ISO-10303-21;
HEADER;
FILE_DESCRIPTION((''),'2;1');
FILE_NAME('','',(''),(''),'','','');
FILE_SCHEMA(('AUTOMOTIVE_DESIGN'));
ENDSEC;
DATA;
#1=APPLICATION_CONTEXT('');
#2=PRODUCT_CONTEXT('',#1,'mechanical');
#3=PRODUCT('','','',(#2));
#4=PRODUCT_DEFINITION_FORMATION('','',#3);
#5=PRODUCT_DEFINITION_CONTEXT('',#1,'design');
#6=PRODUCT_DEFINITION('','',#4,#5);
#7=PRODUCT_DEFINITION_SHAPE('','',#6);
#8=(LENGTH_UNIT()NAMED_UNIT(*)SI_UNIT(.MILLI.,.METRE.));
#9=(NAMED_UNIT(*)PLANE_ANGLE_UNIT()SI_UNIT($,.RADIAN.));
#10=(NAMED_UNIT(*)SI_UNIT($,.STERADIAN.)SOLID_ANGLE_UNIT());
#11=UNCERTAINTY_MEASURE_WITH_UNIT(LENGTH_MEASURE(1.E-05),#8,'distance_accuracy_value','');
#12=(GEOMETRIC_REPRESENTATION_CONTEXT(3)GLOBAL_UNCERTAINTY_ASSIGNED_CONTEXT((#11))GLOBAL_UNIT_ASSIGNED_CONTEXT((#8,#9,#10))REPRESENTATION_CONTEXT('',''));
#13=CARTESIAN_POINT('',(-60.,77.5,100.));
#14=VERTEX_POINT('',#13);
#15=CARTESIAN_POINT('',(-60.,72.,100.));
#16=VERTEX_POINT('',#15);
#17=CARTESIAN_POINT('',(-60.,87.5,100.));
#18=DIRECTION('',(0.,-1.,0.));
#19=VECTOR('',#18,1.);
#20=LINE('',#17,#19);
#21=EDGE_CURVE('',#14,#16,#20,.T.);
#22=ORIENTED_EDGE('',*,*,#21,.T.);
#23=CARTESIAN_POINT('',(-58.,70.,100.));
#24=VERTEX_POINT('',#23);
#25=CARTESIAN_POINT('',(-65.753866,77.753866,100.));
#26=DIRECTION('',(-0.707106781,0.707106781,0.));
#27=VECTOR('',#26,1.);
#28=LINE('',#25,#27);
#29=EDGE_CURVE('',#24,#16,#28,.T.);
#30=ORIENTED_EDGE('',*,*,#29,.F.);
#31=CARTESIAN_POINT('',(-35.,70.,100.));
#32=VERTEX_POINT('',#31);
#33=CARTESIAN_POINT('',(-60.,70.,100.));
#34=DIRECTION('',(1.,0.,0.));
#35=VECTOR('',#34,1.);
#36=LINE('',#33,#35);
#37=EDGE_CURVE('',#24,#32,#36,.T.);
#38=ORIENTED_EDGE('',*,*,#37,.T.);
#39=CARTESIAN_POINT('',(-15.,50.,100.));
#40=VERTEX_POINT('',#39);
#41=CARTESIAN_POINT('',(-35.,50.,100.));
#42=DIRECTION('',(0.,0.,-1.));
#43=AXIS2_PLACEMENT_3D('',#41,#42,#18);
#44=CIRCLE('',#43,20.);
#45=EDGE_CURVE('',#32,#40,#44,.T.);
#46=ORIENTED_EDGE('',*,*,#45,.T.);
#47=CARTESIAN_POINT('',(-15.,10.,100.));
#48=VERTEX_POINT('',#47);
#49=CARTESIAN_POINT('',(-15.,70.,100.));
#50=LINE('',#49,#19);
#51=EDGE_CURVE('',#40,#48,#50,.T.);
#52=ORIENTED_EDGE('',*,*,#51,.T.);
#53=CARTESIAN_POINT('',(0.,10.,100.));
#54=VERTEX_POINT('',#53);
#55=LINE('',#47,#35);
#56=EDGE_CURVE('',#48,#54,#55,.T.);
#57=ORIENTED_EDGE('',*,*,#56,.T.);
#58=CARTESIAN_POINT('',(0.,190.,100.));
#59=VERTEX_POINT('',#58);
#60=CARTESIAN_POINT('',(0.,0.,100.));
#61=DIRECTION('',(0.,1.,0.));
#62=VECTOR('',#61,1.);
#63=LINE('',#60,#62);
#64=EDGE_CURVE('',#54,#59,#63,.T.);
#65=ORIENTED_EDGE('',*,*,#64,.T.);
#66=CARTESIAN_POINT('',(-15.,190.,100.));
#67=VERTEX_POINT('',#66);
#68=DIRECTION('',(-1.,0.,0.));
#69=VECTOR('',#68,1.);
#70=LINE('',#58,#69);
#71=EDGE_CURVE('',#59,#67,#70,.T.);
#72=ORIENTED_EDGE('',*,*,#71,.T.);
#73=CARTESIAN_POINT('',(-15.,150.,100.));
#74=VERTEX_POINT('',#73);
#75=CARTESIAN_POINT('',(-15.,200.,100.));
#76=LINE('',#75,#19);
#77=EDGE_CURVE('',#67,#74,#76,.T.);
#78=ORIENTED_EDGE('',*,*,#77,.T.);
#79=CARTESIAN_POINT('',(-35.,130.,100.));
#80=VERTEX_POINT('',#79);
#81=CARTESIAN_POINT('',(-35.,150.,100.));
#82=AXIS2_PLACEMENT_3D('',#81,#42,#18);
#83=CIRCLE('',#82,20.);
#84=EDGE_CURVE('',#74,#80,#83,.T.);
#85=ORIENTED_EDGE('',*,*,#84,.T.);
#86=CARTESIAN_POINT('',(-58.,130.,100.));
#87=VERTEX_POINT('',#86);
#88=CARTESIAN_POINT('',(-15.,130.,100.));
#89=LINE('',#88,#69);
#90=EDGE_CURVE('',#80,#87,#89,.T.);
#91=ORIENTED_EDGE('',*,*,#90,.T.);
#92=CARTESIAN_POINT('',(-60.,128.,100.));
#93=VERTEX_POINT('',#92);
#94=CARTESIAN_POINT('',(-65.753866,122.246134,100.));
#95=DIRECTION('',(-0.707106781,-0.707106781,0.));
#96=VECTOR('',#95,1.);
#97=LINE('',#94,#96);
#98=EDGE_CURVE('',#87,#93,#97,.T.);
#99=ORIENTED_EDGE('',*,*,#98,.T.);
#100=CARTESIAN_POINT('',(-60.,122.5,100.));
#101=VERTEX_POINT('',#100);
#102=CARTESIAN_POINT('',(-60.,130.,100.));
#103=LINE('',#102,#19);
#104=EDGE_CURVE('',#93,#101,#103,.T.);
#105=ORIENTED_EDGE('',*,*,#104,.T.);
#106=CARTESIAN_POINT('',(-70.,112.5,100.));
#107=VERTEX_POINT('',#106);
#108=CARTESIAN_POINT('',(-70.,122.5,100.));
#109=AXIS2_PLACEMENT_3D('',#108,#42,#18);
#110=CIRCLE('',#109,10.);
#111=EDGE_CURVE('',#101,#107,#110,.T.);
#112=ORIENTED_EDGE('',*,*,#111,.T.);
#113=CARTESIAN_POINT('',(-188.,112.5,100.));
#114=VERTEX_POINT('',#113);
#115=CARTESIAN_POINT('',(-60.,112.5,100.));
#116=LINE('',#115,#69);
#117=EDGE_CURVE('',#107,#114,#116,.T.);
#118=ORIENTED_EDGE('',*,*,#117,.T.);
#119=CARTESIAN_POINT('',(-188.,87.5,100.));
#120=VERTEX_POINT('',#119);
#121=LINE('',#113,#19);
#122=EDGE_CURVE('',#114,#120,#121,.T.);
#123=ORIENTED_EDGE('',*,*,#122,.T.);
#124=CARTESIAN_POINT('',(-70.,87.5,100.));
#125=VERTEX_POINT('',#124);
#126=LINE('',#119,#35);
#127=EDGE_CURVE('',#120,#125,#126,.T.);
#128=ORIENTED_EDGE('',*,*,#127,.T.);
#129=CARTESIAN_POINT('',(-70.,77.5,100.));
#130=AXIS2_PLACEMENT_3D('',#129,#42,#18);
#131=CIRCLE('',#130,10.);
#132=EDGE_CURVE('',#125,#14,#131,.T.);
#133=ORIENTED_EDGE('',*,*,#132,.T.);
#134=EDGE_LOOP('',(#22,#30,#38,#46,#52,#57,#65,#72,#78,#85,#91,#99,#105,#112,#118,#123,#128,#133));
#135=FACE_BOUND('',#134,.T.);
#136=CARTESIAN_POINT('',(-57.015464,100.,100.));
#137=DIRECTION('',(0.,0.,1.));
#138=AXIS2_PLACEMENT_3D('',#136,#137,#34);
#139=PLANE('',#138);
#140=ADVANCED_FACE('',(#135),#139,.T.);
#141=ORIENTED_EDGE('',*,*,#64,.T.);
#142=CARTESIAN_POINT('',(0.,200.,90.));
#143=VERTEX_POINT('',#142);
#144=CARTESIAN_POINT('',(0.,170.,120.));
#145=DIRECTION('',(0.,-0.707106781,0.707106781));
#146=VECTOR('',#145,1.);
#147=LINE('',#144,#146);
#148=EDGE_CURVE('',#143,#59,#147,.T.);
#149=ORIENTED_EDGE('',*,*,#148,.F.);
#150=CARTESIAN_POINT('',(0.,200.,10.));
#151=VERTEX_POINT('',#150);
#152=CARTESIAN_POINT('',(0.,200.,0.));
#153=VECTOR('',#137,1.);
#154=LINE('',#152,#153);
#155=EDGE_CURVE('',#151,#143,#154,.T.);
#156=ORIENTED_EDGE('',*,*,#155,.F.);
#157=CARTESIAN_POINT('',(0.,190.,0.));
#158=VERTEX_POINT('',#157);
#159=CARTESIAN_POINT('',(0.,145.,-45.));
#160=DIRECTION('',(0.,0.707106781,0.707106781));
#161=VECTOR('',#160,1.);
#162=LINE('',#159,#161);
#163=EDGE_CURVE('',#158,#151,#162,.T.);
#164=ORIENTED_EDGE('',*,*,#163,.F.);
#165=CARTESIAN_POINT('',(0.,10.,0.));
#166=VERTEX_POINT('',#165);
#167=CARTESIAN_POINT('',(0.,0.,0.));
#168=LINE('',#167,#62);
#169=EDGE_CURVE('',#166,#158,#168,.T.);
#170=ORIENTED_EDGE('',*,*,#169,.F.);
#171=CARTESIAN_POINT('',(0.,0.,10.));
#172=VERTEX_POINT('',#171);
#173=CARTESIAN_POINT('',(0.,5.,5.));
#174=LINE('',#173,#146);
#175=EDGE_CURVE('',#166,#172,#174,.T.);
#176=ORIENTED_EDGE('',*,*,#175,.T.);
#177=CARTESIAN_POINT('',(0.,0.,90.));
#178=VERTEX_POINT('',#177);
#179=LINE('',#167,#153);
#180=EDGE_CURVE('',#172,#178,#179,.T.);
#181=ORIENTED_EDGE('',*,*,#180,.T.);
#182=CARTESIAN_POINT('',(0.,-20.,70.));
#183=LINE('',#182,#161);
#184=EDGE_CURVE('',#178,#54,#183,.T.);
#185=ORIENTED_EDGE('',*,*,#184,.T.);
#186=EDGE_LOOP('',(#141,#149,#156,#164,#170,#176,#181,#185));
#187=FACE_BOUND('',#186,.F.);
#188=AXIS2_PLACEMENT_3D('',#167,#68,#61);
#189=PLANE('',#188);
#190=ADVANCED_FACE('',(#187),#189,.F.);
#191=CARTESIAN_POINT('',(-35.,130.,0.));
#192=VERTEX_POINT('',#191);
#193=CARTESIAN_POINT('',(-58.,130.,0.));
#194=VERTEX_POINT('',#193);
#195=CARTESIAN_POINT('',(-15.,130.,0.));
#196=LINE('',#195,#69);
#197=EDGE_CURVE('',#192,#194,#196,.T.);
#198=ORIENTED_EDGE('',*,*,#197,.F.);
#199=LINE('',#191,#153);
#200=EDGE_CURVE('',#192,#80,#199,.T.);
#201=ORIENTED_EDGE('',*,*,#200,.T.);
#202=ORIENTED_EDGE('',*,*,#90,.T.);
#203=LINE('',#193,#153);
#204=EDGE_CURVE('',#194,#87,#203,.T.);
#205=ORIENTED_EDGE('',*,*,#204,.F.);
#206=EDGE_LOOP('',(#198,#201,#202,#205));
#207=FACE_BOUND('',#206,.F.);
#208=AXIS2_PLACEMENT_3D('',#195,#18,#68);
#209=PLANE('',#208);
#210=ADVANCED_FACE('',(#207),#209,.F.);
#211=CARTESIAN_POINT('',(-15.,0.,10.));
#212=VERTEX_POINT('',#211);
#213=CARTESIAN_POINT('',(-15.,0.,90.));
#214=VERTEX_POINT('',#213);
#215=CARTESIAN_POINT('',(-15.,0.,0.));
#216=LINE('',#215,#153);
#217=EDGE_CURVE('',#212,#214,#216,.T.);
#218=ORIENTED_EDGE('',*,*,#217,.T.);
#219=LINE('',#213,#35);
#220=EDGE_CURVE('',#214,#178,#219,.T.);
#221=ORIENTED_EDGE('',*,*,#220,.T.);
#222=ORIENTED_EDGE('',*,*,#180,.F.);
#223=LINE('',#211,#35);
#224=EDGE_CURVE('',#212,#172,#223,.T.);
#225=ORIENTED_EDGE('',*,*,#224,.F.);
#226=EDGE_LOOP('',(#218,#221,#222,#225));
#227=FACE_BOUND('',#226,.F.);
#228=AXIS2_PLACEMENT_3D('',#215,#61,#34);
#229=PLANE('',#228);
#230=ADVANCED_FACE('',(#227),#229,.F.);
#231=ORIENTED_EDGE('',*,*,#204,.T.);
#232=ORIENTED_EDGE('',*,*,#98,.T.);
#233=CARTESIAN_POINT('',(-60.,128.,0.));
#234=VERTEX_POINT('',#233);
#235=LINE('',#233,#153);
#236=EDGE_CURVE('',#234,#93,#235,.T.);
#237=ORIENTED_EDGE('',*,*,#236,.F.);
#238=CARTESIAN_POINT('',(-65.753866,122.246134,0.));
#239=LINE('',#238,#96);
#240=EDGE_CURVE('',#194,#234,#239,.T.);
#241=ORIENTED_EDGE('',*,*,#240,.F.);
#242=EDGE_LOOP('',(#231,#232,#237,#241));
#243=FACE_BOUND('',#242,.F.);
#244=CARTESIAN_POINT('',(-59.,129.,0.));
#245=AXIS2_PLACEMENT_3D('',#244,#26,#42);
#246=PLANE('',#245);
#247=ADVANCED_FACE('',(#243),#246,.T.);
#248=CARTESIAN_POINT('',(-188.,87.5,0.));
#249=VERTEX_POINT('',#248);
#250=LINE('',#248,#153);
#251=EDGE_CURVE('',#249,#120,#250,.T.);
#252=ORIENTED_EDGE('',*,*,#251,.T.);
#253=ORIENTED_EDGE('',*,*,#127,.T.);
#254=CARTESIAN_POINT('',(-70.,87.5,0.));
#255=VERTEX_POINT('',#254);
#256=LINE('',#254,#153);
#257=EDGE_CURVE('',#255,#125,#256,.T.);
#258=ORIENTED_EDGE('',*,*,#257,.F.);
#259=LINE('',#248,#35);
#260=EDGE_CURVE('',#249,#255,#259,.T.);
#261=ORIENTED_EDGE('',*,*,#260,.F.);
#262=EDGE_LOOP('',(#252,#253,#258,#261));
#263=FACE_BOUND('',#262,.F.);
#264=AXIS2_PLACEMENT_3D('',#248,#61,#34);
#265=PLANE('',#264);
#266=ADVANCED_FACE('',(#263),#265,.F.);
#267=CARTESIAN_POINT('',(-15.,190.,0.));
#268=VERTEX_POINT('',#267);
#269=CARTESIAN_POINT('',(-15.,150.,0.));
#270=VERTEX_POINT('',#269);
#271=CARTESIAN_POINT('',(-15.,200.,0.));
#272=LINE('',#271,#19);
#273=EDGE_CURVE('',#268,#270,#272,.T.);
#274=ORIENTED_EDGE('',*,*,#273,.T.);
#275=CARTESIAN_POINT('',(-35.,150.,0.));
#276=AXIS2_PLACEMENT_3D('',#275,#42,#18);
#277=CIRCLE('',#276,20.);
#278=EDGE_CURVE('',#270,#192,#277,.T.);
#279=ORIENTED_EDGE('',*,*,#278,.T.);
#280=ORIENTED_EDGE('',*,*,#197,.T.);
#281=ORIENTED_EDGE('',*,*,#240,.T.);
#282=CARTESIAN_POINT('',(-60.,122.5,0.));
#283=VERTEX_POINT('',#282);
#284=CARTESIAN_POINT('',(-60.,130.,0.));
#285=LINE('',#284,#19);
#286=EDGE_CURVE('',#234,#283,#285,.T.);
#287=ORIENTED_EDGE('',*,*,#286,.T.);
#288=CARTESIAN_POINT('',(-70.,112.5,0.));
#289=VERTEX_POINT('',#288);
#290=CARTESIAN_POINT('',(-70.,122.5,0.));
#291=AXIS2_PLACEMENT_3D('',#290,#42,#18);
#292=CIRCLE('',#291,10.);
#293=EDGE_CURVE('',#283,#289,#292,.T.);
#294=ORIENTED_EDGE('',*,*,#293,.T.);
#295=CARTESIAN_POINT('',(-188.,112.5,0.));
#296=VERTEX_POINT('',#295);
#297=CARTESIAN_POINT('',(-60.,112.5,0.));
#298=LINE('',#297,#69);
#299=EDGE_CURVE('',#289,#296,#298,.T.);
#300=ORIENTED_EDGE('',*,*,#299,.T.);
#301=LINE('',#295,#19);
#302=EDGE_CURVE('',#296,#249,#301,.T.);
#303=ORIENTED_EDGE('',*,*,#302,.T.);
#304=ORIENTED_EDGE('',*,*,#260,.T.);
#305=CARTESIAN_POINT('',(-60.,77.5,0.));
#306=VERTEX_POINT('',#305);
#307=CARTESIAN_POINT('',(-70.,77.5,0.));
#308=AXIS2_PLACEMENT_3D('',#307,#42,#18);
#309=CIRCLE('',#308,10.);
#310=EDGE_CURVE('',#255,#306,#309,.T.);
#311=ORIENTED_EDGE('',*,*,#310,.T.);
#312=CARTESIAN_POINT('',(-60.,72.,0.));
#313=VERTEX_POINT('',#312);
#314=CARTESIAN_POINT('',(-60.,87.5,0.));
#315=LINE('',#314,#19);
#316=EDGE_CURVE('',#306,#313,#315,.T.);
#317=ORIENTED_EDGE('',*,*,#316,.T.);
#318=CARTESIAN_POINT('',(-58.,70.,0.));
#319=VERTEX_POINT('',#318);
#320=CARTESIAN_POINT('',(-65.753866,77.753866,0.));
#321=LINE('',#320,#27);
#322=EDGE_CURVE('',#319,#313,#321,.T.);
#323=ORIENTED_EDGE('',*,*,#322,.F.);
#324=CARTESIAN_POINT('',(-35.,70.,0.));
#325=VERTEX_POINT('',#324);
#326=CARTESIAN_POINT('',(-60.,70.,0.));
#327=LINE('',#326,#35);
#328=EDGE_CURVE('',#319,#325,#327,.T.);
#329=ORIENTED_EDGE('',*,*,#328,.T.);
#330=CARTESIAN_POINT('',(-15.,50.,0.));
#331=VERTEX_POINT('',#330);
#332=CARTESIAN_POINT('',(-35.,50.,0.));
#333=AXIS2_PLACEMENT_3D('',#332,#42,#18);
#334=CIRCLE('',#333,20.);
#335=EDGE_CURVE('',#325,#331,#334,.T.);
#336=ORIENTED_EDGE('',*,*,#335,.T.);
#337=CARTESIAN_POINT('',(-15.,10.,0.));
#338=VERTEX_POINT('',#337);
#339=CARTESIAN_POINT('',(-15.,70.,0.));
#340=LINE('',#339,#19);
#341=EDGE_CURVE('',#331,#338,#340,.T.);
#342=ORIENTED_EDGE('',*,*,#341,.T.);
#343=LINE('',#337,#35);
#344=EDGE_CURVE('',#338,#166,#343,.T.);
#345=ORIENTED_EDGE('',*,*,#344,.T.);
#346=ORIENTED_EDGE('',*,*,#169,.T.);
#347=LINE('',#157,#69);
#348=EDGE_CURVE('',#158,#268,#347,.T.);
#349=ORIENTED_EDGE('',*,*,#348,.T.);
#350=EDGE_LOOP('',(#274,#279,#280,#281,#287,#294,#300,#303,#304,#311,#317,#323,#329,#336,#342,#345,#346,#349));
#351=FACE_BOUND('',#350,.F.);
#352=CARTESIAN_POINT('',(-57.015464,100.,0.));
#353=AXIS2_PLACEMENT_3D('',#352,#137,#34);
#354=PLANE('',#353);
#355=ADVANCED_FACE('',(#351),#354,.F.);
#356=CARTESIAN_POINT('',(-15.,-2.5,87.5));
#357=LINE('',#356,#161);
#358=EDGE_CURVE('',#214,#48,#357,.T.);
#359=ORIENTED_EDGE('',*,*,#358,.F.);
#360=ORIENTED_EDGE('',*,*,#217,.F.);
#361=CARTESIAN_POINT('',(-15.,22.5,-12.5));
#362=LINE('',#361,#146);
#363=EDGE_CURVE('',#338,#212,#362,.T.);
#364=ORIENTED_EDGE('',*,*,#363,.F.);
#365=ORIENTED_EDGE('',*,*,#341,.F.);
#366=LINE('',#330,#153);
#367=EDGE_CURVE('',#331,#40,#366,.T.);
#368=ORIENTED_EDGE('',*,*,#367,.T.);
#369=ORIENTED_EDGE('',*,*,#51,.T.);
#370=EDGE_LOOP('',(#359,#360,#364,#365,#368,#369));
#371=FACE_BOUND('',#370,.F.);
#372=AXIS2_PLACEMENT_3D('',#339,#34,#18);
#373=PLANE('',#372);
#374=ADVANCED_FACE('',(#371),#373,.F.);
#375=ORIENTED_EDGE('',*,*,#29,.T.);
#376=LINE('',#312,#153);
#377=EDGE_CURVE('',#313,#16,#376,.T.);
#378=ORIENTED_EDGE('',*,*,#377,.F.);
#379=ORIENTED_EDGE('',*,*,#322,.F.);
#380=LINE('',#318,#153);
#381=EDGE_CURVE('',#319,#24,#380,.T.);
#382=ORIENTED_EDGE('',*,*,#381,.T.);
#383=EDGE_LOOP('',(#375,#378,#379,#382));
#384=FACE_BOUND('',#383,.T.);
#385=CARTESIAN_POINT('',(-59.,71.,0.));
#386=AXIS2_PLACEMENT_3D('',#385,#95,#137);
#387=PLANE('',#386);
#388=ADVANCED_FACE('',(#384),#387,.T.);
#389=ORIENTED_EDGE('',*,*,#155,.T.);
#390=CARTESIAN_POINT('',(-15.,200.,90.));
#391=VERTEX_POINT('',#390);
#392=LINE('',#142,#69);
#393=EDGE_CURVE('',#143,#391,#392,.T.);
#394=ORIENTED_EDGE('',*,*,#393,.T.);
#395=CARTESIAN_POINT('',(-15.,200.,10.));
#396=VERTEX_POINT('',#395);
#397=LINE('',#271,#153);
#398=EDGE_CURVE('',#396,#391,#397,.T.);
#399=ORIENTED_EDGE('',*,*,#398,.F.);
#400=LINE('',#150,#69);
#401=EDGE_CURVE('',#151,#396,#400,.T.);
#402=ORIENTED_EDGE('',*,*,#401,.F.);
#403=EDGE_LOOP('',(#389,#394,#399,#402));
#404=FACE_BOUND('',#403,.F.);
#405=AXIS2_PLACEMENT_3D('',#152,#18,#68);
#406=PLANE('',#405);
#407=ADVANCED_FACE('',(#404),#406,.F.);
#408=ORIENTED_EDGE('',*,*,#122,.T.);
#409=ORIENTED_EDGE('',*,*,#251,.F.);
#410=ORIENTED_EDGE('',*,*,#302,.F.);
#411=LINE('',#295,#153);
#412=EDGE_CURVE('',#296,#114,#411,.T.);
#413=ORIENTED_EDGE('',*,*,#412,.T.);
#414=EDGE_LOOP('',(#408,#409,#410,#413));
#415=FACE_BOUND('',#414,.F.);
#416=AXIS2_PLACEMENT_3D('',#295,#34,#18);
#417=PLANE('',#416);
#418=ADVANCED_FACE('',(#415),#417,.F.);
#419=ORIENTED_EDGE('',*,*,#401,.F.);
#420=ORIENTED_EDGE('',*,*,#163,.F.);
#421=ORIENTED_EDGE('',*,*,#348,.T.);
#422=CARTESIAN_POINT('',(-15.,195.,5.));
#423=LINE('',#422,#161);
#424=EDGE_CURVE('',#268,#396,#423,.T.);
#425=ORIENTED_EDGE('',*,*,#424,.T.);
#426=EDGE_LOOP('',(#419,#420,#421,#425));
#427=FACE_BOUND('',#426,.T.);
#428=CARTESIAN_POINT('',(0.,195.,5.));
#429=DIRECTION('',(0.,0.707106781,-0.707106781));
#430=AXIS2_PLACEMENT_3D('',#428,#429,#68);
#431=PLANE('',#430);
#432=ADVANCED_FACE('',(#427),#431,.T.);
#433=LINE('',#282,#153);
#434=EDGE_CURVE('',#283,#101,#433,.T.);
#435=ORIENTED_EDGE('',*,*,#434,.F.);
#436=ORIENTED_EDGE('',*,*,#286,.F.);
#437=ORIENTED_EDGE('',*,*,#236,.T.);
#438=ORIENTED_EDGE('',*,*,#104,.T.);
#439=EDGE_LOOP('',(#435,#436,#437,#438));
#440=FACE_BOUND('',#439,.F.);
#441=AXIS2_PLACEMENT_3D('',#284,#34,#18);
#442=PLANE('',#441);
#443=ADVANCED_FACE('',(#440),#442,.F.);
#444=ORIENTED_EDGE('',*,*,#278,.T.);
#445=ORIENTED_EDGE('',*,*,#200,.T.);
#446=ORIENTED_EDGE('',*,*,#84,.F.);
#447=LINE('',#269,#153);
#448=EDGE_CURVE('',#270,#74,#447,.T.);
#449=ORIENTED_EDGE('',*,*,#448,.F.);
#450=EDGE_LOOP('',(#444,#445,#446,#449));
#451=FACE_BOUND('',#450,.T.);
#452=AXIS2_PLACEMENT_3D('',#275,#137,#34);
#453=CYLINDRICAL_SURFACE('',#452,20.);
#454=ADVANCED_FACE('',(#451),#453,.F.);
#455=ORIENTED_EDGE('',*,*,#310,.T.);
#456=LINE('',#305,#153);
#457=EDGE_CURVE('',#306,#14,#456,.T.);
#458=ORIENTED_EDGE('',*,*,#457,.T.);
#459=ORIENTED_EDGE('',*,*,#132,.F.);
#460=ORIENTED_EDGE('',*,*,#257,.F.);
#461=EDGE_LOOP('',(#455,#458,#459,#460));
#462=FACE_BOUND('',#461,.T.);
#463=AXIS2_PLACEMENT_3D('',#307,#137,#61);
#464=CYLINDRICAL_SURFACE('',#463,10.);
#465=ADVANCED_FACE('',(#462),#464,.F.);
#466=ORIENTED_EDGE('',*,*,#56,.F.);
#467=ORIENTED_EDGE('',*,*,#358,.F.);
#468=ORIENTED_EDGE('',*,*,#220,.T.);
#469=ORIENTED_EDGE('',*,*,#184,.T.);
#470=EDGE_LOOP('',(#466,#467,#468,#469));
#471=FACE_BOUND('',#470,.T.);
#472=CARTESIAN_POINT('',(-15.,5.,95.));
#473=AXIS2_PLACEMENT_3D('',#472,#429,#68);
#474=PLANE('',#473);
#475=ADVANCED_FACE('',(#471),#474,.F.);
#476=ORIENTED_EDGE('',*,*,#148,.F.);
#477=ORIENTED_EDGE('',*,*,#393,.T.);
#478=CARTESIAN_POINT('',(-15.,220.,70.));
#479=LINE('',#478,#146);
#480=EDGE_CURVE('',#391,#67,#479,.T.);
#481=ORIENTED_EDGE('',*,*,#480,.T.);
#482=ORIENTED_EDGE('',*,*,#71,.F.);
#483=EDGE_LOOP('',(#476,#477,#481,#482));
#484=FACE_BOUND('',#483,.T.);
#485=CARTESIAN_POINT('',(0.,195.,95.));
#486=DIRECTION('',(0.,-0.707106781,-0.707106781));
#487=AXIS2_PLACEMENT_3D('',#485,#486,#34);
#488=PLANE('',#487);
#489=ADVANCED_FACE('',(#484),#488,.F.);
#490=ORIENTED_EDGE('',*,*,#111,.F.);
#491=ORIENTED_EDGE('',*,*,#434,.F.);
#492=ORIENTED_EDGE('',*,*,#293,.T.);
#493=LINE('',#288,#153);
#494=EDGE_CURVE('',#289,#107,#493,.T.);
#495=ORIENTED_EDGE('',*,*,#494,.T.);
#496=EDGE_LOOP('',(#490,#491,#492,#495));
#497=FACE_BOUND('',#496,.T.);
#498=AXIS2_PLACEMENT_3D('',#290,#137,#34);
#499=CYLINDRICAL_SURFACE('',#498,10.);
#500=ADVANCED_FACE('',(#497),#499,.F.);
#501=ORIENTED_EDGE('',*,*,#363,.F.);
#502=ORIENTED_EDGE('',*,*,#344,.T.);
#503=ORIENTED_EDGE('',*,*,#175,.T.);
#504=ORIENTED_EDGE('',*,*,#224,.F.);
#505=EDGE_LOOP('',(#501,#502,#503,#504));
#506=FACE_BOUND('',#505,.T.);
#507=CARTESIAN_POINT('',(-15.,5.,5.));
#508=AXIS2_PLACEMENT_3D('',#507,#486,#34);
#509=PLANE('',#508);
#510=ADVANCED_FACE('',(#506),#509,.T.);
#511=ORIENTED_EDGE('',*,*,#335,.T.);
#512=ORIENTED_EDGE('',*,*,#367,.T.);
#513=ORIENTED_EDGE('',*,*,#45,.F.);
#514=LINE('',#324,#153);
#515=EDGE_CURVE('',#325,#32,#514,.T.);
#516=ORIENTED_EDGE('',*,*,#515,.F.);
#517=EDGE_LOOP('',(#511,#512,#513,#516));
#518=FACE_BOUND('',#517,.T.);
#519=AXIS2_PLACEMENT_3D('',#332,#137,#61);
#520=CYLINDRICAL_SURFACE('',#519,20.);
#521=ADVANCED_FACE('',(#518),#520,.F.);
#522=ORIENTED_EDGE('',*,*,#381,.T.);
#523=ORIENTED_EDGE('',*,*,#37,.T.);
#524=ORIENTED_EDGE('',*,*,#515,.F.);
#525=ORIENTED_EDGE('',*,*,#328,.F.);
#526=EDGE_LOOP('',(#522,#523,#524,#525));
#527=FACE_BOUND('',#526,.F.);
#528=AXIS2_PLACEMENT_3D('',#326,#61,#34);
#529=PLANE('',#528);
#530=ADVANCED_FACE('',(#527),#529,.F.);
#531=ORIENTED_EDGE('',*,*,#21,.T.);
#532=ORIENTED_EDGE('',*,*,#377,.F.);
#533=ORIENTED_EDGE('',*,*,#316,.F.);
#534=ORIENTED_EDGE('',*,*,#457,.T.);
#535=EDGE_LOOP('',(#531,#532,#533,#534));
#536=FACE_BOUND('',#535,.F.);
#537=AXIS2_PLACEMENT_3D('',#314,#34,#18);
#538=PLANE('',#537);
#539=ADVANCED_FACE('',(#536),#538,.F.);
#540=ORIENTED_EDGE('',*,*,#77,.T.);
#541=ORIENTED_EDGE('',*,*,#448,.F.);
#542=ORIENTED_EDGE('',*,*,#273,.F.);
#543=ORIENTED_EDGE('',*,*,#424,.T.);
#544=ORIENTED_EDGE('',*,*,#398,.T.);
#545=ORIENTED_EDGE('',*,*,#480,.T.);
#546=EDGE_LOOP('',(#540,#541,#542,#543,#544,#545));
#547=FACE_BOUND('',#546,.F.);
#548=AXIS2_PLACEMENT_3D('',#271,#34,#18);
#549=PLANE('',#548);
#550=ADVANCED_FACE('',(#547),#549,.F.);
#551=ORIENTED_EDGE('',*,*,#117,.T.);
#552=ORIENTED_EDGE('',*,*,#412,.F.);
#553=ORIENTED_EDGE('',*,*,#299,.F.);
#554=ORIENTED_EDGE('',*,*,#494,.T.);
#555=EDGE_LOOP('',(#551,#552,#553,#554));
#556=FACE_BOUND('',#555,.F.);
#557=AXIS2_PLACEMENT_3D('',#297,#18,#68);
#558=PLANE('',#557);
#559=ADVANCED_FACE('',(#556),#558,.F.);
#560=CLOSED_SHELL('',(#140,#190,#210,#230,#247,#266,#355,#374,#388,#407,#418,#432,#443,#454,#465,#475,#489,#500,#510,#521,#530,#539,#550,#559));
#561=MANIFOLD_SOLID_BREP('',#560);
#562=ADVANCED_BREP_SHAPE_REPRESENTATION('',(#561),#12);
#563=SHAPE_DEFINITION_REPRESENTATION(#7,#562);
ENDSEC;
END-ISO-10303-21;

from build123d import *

# Parameters (mm, degrees)
F1_DEPTH = 100
F2_R     = 20
F3_R     = 10
F4_SIZE  = 10
F5_SIZE  = 2


with BuildPart() as f1:
    # F0 (on Top) → F1 (new body)
    with BuildSketch(Plane.XY):
        Polygon((-15, 0), (0, 0), (0, 200), (-15, 200), (-15, 130), (-60, 130), (-60, 112.5), (-188, 112.5), (-188, 87.5), (-60, 87.5), (-60, 70), (-15, 70), align=None)
    extrude(amount=F1_DEPTH)

    # F2
    f2_edges = [f1.edges().sort_by_distance(p)[0] for p in [
        (-15, 70, 50),
        (-15, 130, 50),
    ]]
    fillet(f2_edges, radius=F2_R)

    # F3
    f3_edges = [f1.edges().sort_by_distance(p)[0] for p in [
        (-60, 87.5, 50),
        (-60, 112.5, 50),
    ]]
    fillet(f3_edges, radius=F3_R)

    # F4
    f4_edges = [f1.edges().sort_by_distance(p)[0] for p in [
        (-7.5, 200, 100),
        (-7.5, 0, 100),
        (-7.5, 0, 0),
        (-7.5, 200, 0),
    ]]
    chamfer(f4_edges, length=F4_SIZE)

    # F5
    f5_edges = [f1.edges().sort_by_distance(p)[0] for p in [
        (-60, 70, 50),
        (-60, 130, 50),
    ]]
    chamfer(f5_edges, length=F5_SIZE)


solid = f1.part
